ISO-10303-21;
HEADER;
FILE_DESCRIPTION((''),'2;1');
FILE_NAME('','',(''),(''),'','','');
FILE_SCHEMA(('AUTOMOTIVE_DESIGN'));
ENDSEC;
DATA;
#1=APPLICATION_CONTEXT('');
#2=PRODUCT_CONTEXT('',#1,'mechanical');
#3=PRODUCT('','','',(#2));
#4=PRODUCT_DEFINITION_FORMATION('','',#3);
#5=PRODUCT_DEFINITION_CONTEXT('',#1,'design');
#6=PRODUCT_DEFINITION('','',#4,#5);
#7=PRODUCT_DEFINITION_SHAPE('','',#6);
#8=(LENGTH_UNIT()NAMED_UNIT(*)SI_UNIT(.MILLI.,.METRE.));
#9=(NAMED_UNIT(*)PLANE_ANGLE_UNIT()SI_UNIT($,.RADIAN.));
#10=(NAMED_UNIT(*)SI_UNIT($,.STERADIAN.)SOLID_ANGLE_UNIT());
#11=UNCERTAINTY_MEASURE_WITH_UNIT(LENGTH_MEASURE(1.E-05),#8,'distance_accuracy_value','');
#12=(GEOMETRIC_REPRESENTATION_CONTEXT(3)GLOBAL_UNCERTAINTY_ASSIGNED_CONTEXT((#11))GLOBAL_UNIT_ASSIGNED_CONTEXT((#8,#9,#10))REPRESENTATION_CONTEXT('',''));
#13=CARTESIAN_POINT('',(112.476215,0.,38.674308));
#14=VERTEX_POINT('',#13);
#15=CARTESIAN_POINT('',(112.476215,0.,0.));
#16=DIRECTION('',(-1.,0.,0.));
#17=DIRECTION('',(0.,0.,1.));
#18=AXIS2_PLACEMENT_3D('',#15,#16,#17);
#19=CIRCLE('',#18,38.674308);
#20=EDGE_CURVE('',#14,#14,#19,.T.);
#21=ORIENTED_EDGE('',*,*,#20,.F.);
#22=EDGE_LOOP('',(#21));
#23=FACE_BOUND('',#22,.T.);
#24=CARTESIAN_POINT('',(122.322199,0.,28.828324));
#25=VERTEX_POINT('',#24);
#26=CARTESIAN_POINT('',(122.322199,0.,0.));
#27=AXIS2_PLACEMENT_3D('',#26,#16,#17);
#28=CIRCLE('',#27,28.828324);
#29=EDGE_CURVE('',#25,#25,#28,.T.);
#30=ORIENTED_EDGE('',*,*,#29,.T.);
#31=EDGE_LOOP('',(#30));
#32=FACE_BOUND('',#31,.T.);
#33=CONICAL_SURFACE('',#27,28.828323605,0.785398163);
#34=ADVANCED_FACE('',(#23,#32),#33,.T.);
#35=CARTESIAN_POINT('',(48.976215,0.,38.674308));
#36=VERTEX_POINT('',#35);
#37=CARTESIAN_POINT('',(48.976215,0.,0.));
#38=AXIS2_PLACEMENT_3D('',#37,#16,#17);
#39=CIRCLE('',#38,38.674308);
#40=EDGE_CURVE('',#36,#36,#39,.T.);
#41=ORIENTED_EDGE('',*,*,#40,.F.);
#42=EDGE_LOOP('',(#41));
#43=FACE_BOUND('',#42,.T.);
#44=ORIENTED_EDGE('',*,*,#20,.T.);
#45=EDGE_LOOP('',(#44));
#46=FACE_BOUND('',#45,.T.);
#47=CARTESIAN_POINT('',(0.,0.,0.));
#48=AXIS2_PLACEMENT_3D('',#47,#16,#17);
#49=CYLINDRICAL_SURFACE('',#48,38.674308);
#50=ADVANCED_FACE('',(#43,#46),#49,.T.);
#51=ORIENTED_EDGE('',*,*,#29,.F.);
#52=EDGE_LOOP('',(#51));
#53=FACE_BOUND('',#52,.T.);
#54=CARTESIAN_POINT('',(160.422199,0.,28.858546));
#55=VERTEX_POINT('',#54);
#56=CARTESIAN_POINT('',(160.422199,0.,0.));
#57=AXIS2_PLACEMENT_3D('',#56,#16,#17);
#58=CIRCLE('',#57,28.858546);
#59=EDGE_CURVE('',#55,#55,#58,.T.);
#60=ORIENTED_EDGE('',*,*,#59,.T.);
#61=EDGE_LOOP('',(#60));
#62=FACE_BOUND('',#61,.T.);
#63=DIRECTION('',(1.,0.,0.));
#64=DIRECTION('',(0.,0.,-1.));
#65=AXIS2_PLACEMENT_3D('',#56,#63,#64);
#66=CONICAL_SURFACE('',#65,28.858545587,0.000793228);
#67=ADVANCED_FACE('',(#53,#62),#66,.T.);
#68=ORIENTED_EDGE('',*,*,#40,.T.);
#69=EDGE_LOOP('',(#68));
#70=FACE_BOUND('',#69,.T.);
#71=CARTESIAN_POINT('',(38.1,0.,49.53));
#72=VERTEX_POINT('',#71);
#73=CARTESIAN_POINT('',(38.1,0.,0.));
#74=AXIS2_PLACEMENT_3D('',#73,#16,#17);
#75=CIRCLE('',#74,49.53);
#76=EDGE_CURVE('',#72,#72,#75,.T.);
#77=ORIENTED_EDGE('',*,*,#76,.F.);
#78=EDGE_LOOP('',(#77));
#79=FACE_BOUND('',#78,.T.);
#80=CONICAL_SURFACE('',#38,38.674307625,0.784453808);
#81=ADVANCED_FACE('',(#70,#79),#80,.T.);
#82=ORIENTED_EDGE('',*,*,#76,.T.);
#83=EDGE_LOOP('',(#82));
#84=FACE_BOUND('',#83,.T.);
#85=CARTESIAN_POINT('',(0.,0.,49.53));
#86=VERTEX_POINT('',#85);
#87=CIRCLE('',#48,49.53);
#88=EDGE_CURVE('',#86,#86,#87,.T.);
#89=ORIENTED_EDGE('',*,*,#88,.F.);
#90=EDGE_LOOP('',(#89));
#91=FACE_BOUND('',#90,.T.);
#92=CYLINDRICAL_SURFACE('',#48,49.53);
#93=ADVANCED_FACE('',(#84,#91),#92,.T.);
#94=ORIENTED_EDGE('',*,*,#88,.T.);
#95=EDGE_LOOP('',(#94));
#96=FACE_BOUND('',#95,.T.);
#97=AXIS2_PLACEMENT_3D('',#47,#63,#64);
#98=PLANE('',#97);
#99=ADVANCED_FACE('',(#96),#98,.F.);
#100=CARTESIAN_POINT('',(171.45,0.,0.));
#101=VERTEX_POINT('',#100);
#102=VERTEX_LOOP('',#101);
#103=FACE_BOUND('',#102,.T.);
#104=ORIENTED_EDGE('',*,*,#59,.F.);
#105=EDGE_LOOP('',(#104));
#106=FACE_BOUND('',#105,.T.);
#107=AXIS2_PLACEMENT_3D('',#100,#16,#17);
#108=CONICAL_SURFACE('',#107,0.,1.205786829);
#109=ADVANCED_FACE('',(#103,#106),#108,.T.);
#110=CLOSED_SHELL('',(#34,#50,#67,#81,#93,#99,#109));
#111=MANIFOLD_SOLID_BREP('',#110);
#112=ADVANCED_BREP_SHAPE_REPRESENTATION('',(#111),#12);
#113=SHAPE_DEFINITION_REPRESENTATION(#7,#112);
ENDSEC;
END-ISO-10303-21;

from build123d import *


with BuildPart() as part:
    # Sketch1 → Revolve2 (revolve)
    with BuildSketch(Plane.XY):
        Polygon((0, 0), (171.45, 0), (160.42219905, 28.858545587), (122.32219905, 28.828323605), (112.476215029, 38.674307625), (48.976215029, 38.674307625), (38.1, 49.53), (0, 49.53), align=None)
    revolve(axis=Axis((0, 0, 0), (1, 0, 0)))


solid = part.part
